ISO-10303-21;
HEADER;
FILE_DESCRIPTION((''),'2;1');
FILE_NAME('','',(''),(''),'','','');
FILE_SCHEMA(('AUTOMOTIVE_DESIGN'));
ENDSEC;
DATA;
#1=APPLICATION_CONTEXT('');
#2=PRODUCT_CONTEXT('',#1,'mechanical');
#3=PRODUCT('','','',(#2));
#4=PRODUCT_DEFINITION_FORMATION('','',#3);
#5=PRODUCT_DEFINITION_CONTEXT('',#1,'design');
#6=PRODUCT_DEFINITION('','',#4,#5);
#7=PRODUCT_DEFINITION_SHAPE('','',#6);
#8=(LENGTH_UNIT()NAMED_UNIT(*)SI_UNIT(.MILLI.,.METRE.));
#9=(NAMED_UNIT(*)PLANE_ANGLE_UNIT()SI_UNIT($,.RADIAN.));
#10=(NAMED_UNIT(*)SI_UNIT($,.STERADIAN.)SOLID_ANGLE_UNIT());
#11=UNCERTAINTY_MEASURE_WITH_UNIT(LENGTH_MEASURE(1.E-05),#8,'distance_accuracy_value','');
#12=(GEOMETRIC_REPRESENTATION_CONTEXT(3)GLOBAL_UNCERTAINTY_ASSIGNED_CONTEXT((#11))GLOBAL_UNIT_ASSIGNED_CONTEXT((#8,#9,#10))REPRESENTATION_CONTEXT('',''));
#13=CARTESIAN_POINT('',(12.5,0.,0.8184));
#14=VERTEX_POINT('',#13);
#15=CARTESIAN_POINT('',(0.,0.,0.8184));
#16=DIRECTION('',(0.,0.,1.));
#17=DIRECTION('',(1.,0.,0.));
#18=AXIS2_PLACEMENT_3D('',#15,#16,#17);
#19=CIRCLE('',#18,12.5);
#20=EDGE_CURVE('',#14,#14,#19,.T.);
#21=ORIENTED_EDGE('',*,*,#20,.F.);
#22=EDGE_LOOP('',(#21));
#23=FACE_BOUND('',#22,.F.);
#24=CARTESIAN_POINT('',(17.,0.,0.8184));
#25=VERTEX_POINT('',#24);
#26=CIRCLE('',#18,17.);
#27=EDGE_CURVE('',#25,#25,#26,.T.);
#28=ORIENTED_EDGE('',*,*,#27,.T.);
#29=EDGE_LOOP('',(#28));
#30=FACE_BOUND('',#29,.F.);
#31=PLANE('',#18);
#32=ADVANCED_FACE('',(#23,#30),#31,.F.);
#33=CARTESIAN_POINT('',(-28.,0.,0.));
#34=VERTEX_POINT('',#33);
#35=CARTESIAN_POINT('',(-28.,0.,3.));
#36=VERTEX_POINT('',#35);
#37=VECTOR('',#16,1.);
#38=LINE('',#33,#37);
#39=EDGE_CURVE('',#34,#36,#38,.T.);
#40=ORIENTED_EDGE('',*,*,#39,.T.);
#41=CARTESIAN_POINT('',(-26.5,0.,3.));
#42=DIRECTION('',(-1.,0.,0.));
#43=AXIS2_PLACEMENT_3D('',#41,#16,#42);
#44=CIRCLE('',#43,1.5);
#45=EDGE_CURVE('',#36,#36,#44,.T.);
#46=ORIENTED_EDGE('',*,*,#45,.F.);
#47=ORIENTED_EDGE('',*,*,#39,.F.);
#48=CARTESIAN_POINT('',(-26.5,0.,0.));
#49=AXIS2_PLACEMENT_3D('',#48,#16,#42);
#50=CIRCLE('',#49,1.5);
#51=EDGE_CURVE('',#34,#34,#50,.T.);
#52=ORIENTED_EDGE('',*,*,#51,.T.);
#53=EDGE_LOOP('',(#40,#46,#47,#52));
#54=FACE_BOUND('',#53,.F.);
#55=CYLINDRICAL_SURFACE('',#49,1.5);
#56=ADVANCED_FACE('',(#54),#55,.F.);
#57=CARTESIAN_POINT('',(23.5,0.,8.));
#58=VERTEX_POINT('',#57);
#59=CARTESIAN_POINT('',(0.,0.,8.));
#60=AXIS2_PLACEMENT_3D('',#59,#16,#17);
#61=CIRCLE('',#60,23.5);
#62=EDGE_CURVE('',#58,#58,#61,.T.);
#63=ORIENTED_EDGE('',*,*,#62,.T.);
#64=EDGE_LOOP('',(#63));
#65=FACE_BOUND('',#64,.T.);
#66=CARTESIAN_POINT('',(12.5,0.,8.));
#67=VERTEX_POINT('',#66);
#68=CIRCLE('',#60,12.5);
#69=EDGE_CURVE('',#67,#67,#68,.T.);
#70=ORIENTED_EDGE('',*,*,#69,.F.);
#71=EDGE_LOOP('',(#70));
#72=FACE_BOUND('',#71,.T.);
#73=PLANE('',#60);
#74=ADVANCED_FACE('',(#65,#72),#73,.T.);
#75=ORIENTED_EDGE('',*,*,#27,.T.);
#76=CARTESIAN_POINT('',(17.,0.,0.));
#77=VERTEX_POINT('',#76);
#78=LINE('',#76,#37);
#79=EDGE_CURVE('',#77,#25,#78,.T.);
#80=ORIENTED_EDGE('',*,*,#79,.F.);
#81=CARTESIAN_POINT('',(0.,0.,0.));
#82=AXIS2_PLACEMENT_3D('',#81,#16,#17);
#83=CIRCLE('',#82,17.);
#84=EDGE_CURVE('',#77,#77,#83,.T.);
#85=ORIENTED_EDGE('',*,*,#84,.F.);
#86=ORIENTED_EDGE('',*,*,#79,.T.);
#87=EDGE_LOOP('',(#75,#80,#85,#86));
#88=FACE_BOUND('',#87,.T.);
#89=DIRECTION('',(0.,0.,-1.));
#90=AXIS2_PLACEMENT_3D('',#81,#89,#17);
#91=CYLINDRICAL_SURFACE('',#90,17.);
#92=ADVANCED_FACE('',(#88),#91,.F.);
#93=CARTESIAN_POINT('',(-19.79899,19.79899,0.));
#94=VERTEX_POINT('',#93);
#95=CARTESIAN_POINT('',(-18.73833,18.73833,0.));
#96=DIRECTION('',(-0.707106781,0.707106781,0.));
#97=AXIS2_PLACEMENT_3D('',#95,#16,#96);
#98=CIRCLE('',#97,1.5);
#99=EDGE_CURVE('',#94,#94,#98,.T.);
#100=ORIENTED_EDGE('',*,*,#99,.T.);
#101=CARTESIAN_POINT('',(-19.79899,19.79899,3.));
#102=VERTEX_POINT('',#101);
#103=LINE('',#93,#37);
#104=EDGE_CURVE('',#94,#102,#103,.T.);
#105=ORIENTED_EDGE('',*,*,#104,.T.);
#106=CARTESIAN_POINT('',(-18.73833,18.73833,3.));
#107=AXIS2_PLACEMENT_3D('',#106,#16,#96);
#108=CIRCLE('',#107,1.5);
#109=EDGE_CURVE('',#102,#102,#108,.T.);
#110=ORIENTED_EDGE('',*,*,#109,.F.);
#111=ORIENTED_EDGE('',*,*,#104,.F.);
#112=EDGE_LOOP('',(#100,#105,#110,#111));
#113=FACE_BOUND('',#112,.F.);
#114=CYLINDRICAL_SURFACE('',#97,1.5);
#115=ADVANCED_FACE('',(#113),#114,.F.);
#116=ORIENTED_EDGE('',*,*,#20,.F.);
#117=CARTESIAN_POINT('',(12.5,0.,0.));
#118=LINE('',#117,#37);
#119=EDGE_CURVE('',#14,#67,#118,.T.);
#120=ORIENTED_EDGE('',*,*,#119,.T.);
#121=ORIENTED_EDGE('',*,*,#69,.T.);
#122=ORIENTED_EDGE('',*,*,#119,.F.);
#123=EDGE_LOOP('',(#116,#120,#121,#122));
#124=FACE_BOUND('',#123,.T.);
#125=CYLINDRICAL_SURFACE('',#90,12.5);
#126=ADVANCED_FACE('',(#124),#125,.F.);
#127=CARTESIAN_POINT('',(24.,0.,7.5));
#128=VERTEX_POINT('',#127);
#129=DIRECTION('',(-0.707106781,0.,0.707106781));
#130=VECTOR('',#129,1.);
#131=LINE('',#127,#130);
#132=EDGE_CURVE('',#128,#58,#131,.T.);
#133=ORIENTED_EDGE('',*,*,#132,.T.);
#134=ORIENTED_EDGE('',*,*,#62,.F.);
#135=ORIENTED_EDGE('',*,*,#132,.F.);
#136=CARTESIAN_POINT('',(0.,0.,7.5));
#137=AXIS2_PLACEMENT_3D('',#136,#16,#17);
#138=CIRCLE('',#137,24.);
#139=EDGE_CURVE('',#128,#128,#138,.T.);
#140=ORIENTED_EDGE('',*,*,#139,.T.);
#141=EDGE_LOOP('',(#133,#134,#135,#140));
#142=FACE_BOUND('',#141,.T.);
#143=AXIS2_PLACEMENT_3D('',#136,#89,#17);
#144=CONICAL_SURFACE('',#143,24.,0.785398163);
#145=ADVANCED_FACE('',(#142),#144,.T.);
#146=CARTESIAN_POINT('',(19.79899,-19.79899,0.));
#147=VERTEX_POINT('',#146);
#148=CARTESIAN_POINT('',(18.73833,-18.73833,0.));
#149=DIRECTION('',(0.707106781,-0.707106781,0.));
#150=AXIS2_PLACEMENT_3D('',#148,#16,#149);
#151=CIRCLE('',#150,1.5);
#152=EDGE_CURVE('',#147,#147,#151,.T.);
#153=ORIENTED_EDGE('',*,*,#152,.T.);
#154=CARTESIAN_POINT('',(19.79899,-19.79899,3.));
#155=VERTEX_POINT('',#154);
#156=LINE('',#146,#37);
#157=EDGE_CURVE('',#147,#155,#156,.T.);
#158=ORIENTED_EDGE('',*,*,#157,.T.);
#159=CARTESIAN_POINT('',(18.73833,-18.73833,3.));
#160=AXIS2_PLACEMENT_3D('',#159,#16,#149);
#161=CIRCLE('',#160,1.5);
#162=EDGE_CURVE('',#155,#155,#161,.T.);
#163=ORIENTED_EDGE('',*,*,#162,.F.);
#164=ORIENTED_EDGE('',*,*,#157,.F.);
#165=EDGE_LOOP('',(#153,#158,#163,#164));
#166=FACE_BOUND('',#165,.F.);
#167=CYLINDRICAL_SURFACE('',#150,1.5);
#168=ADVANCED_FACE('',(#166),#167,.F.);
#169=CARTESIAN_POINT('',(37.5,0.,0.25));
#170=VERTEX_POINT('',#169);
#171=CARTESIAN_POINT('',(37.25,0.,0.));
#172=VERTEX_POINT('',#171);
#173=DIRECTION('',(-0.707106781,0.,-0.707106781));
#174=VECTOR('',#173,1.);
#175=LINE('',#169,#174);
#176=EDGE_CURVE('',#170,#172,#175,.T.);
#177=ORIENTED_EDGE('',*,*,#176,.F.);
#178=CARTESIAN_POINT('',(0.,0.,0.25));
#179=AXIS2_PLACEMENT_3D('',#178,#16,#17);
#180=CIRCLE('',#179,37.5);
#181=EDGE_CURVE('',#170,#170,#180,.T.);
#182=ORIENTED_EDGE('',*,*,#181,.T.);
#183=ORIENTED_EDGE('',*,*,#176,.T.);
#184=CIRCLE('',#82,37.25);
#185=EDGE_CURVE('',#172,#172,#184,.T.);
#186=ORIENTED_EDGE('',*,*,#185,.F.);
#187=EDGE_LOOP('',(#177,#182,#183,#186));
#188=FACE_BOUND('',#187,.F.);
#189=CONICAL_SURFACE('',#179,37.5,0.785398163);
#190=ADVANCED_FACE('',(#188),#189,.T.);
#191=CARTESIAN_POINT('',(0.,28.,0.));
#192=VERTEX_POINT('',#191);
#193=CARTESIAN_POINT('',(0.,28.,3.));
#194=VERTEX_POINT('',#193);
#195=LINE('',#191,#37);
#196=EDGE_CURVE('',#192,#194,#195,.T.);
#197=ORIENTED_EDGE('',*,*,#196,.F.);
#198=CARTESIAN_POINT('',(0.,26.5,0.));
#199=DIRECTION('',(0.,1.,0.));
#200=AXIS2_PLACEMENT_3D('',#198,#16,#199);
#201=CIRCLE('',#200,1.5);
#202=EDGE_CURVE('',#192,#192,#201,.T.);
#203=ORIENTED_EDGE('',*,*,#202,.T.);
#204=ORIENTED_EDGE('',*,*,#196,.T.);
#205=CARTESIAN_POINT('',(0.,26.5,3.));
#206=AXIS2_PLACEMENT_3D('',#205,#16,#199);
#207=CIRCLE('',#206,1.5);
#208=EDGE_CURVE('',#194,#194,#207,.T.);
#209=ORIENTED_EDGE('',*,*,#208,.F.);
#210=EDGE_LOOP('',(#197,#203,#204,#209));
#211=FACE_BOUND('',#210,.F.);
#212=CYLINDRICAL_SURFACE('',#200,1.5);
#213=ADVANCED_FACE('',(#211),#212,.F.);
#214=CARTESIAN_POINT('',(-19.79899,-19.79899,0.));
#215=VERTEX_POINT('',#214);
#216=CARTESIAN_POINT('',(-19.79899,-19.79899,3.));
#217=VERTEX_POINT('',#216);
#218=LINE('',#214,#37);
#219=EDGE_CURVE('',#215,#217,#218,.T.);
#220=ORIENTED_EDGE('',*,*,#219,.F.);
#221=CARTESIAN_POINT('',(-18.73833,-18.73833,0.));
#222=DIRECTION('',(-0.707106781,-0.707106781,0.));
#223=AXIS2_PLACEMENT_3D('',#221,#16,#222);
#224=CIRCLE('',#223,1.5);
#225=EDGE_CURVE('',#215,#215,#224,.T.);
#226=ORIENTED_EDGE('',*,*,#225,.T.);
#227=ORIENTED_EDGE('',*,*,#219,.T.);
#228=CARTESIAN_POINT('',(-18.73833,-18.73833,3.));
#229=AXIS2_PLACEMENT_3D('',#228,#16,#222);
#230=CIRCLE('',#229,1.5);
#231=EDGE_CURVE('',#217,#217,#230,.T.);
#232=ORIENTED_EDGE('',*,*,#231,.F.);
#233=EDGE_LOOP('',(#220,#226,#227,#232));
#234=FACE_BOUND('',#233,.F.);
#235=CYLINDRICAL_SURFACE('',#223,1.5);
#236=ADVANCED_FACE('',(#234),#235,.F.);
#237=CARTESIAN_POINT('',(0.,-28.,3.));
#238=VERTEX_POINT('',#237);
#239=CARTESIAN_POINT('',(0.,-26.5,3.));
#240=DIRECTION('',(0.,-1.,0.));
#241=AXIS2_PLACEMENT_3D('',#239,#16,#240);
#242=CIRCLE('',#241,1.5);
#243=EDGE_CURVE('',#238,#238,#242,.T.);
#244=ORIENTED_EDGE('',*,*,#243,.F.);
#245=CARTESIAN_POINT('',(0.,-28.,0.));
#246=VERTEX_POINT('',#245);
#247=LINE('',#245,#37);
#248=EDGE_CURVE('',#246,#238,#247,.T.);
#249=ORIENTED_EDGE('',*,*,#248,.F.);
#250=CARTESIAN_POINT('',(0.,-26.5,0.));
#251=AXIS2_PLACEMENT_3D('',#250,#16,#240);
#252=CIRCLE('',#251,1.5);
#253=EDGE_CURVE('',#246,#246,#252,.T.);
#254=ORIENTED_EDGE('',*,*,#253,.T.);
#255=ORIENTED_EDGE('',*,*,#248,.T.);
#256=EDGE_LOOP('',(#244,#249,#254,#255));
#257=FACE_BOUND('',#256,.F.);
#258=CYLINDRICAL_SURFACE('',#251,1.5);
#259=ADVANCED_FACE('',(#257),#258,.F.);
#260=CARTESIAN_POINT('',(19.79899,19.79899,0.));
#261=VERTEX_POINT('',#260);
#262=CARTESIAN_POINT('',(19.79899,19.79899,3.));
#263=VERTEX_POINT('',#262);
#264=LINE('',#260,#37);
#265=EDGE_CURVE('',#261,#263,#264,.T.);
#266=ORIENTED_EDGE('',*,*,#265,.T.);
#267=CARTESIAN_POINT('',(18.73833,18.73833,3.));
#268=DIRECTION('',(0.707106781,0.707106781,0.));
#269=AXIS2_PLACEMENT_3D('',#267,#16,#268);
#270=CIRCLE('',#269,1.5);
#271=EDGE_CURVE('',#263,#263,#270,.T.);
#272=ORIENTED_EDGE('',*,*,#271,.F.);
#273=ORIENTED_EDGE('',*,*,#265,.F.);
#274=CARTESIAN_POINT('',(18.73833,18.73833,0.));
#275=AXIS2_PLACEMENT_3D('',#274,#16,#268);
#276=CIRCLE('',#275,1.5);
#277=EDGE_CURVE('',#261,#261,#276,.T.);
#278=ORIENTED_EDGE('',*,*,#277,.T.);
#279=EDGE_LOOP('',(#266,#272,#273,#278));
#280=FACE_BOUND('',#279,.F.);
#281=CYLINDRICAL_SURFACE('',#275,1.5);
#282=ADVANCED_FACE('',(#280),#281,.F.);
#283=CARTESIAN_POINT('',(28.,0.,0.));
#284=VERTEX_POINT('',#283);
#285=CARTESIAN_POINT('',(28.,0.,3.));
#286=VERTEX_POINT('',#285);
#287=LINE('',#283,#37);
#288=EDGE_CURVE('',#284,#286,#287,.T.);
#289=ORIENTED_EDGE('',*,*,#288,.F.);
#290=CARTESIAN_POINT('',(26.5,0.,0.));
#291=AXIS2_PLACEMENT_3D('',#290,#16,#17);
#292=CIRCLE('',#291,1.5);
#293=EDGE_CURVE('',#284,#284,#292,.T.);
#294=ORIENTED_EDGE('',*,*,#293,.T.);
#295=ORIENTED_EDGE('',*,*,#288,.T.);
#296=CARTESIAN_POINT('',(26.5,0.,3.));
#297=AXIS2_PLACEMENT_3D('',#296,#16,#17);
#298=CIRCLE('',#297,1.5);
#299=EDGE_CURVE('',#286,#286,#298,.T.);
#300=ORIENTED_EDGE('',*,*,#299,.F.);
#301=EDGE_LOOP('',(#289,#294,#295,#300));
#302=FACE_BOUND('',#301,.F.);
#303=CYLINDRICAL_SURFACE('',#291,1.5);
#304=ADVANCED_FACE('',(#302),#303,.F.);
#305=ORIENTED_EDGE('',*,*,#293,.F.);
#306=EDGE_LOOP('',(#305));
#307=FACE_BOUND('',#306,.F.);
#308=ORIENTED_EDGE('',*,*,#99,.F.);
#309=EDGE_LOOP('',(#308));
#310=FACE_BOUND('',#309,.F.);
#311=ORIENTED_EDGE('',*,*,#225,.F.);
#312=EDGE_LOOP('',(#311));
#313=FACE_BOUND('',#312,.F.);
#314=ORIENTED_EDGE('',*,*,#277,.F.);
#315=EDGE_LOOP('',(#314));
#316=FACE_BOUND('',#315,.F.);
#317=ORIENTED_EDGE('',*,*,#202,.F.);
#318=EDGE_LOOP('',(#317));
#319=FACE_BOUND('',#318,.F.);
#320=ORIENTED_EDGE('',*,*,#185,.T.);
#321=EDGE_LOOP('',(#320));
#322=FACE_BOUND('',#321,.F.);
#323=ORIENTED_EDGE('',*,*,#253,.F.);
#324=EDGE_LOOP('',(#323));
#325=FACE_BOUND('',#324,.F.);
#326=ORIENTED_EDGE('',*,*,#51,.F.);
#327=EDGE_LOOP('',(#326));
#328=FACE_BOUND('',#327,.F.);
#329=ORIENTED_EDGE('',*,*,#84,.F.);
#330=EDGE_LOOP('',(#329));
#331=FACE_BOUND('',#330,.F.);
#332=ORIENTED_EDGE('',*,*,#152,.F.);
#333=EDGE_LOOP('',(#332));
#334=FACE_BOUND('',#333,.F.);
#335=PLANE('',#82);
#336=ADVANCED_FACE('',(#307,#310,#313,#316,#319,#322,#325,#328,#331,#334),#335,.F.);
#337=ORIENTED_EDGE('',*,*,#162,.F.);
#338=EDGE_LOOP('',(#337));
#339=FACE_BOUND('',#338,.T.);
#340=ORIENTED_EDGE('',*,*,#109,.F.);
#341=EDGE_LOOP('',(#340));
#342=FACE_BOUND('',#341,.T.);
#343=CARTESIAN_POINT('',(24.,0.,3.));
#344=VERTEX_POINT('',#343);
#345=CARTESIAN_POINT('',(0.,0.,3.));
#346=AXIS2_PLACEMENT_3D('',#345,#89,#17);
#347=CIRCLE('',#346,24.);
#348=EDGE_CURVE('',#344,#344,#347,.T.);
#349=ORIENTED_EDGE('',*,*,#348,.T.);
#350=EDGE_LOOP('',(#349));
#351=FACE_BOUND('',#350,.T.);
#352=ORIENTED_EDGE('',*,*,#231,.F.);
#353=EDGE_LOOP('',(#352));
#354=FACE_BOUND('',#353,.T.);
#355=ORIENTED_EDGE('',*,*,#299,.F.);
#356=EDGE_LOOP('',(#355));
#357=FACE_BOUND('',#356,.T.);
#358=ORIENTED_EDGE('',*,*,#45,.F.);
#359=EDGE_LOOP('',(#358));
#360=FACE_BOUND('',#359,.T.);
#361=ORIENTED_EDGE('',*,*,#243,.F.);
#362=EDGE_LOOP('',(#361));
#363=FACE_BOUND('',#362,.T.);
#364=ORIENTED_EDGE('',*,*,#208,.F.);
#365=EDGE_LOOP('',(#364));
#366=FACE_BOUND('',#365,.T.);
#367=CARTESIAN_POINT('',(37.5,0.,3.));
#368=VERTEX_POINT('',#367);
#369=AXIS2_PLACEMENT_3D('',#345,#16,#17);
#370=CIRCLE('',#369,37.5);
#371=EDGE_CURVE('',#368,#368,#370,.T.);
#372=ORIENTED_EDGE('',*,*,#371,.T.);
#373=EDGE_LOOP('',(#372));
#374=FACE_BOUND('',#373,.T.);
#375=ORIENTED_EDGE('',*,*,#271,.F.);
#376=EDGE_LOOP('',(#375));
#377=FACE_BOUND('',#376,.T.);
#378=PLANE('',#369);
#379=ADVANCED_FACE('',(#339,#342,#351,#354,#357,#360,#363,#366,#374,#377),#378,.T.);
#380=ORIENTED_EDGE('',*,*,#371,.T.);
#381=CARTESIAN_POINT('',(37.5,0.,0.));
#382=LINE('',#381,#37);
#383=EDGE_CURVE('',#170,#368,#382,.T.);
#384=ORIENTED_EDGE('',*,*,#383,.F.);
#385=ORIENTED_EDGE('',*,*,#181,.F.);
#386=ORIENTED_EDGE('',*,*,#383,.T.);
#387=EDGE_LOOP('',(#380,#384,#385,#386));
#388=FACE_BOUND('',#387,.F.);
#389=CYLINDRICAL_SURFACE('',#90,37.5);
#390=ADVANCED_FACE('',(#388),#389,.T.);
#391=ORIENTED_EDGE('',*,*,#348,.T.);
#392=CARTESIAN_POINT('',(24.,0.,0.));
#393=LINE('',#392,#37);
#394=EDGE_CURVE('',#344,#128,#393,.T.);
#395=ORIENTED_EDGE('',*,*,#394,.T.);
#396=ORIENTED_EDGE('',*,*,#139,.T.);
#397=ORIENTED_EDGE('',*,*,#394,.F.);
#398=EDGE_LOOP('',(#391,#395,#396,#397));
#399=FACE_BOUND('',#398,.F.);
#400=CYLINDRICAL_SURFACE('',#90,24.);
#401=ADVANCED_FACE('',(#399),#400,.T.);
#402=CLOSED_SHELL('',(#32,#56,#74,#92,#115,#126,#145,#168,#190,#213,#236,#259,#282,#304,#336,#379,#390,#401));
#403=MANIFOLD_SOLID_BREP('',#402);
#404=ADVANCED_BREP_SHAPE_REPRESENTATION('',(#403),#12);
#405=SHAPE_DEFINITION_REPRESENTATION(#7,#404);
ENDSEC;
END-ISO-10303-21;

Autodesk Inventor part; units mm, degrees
ref_plane "YZ Plane" through (0, 0, 0) normal (1, 0, 0) x (0, 1, 0)
ref_plane "XZ Plane" through (0, 0, 0) normal (0, 1, 0) x (-1, 0, 0)
sketch "Sketch1" plane through (0, 0, 0) normal (0, 0, 1) x (1, 0, 0)
  circle A0 centre (0, 0) radius 37.5
  circle A1 centre (0, 0) radius 12.5
  circle A2 centre (0, 0) radius 26.5 construction
  line L0 (0, 0) -> (0, 26.5) construction
  line L1 (0, 0) -> (10.1411, 24.4828) construction
  circle A3 centre (0, 0) radius 24
  circle A4 centre (0, 0) radius 17
  dimension "d0" = 75
  dimension "d1" = 25
  dimension "d2" = 53
  dimension "d3" = 22.5
  dimension "d19" = 48
  dimension "d22" = 34
extrude "Extrusion1" add sketch "Sketch1" along normal blind 3 contours A0 | A3 | A4
extrude "Extrusion2" add sketch "Sketch1" along normal blind 8 contours A3 | A4
chamfer "Chamfer1" distance 0.25 angle 45 1 edges at (-37.5, 0, 0)
ref_plane "Work Plane1" through (-14, -14, 0.8184) normal (0, 0, 1) x (1, 0, 0)
extrude "Extrusion3" cut sketch "Sketch1" along normal up to surface (0.8184 mm away) contours A4
thread "Thread1" size "M48x1.5" class "6g" standard "ISO Metric profile" full length
chamfer "Chamfer2" distance 0.5 angle 45 1 edges at (-24, 0, 8)
hole "Hole2" at (0, 26.5, 0) direction (0, 0, 1) diameter 3 end through all
pattern_circular "Circular Pattern2" count 8 over 360 about axis through (0, 0, -10) along (0, 0, 1) of "Hole2"
properties part number "PWTR-0060" material "Aluminum 6061"
